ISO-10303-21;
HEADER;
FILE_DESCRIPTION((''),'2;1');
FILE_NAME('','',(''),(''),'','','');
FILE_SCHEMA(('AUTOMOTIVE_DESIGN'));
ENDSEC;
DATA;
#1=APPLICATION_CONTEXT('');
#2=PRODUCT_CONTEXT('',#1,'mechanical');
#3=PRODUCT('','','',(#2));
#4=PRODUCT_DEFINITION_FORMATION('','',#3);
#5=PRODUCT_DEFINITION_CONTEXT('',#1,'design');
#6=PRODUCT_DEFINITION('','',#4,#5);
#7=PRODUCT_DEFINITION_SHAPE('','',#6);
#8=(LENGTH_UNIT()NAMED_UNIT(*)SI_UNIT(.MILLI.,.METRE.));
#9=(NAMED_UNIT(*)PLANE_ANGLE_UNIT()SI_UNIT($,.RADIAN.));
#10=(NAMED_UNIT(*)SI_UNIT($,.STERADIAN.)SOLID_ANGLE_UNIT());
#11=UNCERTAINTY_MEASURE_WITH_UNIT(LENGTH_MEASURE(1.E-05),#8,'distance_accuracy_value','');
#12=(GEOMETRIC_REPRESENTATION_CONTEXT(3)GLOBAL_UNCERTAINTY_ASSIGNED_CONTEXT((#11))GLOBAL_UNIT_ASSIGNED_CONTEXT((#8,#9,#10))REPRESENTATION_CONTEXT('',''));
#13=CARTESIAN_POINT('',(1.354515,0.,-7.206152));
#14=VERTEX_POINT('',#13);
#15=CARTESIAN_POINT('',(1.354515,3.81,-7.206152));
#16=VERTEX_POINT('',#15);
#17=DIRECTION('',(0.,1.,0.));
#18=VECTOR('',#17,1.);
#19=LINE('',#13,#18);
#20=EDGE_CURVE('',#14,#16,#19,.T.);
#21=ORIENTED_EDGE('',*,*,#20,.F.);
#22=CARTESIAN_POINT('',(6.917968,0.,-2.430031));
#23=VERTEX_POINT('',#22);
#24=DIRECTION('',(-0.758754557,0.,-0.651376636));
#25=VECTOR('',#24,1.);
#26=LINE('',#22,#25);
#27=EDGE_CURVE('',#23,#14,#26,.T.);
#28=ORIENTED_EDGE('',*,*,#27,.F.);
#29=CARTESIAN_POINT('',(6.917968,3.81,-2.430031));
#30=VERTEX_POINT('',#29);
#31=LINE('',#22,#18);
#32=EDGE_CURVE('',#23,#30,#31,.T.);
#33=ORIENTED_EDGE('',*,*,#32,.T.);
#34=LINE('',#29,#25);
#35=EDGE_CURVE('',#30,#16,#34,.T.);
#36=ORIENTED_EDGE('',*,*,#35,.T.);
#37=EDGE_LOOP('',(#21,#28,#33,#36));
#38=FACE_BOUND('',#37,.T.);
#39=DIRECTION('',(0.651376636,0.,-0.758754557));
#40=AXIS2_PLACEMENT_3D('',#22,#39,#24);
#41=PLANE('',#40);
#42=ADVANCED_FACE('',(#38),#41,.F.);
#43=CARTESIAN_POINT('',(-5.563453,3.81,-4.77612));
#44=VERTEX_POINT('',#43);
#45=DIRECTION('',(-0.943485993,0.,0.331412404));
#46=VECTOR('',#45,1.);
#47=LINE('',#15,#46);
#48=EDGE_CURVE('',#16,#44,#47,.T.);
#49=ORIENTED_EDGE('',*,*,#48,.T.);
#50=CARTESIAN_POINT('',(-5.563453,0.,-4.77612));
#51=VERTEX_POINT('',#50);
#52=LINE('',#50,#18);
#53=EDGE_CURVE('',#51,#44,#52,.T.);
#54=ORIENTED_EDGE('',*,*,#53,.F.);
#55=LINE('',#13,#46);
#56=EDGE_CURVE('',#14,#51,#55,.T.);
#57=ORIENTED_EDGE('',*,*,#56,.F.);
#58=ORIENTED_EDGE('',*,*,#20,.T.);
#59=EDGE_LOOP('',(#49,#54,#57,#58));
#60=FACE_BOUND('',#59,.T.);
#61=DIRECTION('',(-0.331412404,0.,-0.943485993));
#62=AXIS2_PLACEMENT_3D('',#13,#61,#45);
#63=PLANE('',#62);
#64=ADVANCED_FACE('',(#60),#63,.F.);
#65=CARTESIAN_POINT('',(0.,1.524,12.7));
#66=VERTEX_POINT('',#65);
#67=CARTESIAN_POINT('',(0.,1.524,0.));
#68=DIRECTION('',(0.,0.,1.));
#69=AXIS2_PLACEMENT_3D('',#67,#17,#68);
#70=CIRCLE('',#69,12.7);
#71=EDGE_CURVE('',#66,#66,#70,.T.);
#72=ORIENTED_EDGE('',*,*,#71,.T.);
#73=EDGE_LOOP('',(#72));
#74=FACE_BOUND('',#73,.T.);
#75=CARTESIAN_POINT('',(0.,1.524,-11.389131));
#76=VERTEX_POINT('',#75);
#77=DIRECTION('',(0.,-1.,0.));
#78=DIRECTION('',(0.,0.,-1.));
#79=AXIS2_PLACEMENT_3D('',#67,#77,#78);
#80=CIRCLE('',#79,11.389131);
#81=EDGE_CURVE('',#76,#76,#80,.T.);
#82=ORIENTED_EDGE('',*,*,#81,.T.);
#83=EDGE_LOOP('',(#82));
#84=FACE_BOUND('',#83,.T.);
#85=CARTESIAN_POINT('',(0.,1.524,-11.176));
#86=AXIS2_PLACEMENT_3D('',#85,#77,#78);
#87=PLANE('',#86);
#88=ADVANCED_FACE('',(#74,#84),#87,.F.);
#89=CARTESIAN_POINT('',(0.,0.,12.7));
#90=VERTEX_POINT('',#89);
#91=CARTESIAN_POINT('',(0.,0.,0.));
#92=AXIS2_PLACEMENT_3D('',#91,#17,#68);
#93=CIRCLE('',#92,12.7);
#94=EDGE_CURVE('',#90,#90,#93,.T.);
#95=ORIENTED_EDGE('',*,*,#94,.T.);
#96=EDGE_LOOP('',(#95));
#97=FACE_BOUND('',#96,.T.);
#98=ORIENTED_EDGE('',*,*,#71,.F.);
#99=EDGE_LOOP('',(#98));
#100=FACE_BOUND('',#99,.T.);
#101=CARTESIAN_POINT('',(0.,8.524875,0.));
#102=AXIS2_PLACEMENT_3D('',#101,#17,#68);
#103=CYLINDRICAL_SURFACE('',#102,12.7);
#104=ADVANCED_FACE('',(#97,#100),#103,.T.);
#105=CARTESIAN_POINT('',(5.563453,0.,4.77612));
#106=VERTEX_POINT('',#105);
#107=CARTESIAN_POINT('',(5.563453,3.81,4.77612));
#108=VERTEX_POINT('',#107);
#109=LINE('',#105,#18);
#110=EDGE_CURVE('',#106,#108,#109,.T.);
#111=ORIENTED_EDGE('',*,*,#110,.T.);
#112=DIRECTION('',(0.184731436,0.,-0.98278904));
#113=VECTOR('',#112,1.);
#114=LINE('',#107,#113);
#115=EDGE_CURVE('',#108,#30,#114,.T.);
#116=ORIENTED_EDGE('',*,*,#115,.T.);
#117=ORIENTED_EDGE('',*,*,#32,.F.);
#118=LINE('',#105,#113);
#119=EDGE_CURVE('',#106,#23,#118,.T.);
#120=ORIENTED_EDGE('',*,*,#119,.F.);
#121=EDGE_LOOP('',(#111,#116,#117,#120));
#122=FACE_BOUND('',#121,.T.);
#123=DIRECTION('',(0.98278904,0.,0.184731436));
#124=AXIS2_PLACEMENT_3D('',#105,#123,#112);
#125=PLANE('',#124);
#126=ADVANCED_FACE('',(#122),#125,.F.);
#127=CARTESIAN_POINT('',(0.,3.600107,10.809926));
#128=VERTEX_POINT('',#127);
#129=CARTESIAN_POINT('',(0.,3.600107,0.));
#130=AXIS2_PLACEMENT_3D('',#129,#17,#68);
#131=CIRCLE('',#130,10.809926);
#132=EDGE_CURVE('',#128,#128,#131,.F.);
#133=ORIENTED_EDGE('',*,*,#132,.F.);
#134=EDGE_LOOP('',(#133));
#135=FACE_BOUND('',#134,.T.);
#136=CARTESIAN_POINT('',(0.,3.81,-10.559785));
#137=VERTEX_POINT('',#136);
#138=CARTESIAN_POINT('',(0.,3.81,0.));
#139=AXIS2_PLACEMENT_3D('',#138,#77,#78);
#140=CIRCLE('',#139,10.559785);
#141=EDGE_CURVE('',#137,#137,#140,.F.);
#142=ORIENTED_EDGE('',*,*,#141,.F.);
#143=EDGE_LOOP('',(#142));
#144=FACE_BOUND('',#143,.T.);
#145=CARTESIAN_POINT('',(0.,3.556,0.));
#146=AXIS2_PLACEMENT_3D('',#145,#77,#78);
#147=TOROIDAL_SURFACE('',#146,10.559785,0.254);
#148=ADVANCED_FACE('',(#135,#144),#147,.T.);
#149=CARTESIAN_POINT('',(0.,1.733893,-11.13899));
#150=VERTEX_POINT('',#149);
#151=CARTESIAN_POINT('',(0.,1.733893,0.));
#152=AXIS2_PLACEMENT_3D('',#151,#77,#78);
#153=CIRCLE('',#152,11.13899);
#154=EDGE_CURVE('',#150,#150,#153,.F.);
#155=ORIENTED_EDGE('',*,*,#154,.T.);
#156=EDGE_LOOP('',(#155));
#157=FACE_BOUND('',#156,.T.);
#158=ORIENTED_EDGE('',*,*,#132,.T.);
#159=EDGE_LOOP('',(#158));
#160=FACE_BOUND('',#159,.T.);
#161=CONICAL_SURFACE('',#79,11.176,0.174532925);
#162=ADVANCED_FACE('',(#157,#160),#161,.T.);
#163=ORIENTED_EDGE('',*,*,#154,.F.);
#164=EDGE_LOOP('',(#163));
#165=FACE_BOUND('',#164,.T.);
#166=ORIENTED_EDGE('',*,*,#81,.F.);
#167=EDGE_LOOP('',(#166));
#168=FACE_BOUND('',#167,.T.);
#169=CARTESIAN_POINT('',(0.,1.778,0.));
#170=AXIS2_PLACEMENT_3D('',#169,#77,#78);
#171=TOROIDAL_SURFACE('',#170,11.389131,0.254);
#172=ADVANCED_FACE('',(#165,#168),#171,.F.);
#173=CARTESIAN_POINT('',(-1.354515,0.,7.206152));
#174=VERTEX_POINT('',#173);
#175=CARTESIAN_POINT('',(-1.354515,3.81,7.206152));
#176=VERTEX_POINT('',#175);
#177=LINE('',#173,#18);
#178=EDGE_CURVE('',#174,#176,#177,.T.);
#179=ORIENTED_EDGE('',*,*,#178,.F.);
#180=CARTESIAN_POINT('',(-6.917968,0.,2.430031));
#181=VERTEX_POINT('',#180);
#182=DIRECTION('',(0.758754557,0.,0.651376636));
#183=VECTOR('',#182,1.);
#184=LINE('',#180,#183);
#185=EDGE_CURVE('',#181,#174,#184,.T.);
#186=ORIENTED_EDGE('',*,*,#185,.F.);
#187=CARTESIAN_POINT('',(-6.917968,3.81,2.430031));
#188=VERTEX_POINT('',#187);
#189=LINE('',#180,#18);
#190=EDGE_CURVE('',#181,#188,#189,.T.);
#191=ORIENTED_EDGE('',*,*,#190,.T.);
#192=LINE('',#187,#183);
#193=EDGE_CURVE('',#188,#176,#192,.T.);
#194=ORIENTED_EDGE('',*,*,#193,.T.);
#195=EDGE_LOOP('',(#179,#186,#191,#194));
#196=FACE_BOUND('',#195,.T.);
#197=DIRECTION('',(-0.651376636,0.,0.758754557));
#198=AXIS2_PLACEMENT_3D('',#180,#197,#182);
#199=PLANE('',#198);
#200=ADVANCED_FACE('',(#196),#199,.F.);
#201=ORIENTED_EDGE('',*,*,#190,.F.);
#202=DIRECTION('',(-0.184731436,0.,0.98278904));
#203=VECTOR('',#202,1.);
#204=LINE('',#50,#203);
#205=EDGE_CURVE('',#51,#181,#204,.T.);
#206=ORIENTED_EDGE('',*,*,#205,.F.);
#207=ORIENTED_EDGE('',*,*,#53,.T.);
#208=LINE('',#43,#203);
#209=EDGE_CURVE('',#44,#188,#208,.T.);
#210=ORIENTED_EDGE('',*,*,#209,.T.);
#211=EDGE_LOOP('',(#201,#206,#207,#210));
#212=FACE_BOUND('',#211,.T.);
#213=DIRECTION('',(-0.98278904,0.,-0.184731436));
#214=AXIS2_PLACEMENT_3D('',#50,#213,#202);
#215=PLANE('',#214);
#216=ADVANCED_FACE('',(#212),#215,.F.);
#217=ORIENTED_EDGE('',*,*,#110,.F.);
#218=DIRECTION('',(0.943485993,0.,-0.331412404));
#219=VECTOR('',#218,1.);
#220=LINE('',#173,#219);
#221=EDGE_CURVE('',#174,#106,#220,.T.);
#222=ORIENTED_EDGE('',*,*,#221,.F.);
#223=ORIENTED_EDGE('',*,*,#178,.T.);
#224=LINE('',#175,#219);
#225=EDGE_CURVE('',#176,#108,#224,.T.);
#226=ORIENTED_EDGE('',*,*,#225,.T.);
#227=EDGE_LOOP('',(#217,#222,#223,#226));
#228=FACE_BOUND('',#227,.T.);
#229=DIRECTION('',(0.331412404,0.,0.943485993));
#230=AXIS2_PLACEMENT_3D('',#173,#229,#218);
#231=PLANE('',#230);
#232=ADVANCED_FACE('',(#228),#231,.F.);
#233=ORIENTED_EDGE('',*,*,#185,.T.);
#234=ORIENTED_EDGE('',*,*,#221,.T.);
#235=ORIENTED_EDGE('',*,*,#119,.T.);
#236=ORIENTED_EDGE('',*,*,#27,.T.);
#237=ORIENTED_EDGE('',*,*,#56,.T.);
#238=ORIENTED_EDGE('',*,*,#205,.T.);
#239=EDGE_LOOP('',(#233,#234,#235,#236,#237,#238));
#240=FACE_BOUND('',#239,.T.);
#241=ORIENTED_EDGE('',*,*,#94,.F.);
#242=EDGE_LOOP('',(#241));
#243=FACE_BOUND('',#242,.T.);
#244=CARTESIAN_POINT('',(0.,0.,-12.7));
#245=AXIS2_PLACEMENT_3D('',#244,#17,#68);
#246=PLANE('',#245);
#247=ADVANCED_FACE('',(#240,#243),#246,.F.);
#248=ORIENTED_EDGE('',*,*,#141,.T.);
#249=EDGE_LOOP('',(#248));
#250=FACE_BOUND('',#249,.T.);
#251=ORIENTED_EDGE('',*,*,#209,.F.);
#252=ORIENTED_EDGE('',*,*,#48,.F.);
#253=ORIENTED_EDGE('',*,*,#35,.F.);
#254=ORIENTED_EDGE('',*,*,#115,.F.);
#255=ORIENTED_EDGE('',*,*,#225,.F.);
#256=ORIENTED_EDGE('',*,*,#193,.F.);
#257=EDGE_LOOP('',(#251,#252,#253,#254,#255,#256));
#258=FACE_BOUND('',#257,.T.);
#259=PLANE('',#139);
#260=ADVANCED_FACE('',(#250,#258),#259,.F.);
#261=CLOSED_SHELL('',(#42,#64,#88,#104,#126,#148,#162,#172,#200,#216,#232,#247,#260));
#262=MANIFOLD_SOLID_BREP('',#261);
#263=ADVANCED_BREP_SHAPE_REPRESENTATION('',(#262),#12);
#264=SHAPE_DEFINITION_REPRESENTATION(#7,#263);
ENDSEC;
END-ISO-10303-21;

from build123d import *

# Parameters (mm, degrees)
CUT_EXTRUDE1_DEPTH = 19.360177014
FILLET1_R          = 0.254


with BuildPart() as part:
    # Sketch1 → Revolve1 (revolve)
    with BuildSketch(Plane(origin=(0, 0, 0), x_dir=(0, 0, -1), z_dir=(1, 0, 0)), mode=Mode.PRIVATE) as revolve1_sk:
        Polygon((0, 3.81), (10.772916522, 3.81), (11.176, 1.524), (12.7, 1.524), (12.7, 0), (0, 0), align=None)
    revolve(revolve1_sk.sketch.rotate(Axis((0, 8.524875, 0), (0, -1, 0)), 180), axis=Axis((0, 8.524875, 0), (0, -1, 0)))

    # Sketch2 → Cut-Extrude1 (cut, through all)
    with BuildSketch(Plane(origin=(0, 3.81, 0), x_dir=(1, 0, 0), z_dir=(0, 1, 0))):
        Polygon((5.563452778, -4.776120446), (6.917968027, 2.430031215), (1.354515249, 7.206151662), (-5.563452778, 4.776120446), (-6.917968027, -2.430031215), (-1.354515249, -7.206151662), align=None)
    extrude(amount=-CUT_EXTRUDE1_DEPTH, mode=Mode.SUBTRACT)

    # Fillet1
    fillet1_edges = [part.edges().sort_by_distance(p)[0] for p in [
        (0, 1.524, -11.176),
        (0, 3.81, -10.772916522),
    ]]
    fillet(fillet1_edges, radius=FILLET1_R)


solid = part.part
